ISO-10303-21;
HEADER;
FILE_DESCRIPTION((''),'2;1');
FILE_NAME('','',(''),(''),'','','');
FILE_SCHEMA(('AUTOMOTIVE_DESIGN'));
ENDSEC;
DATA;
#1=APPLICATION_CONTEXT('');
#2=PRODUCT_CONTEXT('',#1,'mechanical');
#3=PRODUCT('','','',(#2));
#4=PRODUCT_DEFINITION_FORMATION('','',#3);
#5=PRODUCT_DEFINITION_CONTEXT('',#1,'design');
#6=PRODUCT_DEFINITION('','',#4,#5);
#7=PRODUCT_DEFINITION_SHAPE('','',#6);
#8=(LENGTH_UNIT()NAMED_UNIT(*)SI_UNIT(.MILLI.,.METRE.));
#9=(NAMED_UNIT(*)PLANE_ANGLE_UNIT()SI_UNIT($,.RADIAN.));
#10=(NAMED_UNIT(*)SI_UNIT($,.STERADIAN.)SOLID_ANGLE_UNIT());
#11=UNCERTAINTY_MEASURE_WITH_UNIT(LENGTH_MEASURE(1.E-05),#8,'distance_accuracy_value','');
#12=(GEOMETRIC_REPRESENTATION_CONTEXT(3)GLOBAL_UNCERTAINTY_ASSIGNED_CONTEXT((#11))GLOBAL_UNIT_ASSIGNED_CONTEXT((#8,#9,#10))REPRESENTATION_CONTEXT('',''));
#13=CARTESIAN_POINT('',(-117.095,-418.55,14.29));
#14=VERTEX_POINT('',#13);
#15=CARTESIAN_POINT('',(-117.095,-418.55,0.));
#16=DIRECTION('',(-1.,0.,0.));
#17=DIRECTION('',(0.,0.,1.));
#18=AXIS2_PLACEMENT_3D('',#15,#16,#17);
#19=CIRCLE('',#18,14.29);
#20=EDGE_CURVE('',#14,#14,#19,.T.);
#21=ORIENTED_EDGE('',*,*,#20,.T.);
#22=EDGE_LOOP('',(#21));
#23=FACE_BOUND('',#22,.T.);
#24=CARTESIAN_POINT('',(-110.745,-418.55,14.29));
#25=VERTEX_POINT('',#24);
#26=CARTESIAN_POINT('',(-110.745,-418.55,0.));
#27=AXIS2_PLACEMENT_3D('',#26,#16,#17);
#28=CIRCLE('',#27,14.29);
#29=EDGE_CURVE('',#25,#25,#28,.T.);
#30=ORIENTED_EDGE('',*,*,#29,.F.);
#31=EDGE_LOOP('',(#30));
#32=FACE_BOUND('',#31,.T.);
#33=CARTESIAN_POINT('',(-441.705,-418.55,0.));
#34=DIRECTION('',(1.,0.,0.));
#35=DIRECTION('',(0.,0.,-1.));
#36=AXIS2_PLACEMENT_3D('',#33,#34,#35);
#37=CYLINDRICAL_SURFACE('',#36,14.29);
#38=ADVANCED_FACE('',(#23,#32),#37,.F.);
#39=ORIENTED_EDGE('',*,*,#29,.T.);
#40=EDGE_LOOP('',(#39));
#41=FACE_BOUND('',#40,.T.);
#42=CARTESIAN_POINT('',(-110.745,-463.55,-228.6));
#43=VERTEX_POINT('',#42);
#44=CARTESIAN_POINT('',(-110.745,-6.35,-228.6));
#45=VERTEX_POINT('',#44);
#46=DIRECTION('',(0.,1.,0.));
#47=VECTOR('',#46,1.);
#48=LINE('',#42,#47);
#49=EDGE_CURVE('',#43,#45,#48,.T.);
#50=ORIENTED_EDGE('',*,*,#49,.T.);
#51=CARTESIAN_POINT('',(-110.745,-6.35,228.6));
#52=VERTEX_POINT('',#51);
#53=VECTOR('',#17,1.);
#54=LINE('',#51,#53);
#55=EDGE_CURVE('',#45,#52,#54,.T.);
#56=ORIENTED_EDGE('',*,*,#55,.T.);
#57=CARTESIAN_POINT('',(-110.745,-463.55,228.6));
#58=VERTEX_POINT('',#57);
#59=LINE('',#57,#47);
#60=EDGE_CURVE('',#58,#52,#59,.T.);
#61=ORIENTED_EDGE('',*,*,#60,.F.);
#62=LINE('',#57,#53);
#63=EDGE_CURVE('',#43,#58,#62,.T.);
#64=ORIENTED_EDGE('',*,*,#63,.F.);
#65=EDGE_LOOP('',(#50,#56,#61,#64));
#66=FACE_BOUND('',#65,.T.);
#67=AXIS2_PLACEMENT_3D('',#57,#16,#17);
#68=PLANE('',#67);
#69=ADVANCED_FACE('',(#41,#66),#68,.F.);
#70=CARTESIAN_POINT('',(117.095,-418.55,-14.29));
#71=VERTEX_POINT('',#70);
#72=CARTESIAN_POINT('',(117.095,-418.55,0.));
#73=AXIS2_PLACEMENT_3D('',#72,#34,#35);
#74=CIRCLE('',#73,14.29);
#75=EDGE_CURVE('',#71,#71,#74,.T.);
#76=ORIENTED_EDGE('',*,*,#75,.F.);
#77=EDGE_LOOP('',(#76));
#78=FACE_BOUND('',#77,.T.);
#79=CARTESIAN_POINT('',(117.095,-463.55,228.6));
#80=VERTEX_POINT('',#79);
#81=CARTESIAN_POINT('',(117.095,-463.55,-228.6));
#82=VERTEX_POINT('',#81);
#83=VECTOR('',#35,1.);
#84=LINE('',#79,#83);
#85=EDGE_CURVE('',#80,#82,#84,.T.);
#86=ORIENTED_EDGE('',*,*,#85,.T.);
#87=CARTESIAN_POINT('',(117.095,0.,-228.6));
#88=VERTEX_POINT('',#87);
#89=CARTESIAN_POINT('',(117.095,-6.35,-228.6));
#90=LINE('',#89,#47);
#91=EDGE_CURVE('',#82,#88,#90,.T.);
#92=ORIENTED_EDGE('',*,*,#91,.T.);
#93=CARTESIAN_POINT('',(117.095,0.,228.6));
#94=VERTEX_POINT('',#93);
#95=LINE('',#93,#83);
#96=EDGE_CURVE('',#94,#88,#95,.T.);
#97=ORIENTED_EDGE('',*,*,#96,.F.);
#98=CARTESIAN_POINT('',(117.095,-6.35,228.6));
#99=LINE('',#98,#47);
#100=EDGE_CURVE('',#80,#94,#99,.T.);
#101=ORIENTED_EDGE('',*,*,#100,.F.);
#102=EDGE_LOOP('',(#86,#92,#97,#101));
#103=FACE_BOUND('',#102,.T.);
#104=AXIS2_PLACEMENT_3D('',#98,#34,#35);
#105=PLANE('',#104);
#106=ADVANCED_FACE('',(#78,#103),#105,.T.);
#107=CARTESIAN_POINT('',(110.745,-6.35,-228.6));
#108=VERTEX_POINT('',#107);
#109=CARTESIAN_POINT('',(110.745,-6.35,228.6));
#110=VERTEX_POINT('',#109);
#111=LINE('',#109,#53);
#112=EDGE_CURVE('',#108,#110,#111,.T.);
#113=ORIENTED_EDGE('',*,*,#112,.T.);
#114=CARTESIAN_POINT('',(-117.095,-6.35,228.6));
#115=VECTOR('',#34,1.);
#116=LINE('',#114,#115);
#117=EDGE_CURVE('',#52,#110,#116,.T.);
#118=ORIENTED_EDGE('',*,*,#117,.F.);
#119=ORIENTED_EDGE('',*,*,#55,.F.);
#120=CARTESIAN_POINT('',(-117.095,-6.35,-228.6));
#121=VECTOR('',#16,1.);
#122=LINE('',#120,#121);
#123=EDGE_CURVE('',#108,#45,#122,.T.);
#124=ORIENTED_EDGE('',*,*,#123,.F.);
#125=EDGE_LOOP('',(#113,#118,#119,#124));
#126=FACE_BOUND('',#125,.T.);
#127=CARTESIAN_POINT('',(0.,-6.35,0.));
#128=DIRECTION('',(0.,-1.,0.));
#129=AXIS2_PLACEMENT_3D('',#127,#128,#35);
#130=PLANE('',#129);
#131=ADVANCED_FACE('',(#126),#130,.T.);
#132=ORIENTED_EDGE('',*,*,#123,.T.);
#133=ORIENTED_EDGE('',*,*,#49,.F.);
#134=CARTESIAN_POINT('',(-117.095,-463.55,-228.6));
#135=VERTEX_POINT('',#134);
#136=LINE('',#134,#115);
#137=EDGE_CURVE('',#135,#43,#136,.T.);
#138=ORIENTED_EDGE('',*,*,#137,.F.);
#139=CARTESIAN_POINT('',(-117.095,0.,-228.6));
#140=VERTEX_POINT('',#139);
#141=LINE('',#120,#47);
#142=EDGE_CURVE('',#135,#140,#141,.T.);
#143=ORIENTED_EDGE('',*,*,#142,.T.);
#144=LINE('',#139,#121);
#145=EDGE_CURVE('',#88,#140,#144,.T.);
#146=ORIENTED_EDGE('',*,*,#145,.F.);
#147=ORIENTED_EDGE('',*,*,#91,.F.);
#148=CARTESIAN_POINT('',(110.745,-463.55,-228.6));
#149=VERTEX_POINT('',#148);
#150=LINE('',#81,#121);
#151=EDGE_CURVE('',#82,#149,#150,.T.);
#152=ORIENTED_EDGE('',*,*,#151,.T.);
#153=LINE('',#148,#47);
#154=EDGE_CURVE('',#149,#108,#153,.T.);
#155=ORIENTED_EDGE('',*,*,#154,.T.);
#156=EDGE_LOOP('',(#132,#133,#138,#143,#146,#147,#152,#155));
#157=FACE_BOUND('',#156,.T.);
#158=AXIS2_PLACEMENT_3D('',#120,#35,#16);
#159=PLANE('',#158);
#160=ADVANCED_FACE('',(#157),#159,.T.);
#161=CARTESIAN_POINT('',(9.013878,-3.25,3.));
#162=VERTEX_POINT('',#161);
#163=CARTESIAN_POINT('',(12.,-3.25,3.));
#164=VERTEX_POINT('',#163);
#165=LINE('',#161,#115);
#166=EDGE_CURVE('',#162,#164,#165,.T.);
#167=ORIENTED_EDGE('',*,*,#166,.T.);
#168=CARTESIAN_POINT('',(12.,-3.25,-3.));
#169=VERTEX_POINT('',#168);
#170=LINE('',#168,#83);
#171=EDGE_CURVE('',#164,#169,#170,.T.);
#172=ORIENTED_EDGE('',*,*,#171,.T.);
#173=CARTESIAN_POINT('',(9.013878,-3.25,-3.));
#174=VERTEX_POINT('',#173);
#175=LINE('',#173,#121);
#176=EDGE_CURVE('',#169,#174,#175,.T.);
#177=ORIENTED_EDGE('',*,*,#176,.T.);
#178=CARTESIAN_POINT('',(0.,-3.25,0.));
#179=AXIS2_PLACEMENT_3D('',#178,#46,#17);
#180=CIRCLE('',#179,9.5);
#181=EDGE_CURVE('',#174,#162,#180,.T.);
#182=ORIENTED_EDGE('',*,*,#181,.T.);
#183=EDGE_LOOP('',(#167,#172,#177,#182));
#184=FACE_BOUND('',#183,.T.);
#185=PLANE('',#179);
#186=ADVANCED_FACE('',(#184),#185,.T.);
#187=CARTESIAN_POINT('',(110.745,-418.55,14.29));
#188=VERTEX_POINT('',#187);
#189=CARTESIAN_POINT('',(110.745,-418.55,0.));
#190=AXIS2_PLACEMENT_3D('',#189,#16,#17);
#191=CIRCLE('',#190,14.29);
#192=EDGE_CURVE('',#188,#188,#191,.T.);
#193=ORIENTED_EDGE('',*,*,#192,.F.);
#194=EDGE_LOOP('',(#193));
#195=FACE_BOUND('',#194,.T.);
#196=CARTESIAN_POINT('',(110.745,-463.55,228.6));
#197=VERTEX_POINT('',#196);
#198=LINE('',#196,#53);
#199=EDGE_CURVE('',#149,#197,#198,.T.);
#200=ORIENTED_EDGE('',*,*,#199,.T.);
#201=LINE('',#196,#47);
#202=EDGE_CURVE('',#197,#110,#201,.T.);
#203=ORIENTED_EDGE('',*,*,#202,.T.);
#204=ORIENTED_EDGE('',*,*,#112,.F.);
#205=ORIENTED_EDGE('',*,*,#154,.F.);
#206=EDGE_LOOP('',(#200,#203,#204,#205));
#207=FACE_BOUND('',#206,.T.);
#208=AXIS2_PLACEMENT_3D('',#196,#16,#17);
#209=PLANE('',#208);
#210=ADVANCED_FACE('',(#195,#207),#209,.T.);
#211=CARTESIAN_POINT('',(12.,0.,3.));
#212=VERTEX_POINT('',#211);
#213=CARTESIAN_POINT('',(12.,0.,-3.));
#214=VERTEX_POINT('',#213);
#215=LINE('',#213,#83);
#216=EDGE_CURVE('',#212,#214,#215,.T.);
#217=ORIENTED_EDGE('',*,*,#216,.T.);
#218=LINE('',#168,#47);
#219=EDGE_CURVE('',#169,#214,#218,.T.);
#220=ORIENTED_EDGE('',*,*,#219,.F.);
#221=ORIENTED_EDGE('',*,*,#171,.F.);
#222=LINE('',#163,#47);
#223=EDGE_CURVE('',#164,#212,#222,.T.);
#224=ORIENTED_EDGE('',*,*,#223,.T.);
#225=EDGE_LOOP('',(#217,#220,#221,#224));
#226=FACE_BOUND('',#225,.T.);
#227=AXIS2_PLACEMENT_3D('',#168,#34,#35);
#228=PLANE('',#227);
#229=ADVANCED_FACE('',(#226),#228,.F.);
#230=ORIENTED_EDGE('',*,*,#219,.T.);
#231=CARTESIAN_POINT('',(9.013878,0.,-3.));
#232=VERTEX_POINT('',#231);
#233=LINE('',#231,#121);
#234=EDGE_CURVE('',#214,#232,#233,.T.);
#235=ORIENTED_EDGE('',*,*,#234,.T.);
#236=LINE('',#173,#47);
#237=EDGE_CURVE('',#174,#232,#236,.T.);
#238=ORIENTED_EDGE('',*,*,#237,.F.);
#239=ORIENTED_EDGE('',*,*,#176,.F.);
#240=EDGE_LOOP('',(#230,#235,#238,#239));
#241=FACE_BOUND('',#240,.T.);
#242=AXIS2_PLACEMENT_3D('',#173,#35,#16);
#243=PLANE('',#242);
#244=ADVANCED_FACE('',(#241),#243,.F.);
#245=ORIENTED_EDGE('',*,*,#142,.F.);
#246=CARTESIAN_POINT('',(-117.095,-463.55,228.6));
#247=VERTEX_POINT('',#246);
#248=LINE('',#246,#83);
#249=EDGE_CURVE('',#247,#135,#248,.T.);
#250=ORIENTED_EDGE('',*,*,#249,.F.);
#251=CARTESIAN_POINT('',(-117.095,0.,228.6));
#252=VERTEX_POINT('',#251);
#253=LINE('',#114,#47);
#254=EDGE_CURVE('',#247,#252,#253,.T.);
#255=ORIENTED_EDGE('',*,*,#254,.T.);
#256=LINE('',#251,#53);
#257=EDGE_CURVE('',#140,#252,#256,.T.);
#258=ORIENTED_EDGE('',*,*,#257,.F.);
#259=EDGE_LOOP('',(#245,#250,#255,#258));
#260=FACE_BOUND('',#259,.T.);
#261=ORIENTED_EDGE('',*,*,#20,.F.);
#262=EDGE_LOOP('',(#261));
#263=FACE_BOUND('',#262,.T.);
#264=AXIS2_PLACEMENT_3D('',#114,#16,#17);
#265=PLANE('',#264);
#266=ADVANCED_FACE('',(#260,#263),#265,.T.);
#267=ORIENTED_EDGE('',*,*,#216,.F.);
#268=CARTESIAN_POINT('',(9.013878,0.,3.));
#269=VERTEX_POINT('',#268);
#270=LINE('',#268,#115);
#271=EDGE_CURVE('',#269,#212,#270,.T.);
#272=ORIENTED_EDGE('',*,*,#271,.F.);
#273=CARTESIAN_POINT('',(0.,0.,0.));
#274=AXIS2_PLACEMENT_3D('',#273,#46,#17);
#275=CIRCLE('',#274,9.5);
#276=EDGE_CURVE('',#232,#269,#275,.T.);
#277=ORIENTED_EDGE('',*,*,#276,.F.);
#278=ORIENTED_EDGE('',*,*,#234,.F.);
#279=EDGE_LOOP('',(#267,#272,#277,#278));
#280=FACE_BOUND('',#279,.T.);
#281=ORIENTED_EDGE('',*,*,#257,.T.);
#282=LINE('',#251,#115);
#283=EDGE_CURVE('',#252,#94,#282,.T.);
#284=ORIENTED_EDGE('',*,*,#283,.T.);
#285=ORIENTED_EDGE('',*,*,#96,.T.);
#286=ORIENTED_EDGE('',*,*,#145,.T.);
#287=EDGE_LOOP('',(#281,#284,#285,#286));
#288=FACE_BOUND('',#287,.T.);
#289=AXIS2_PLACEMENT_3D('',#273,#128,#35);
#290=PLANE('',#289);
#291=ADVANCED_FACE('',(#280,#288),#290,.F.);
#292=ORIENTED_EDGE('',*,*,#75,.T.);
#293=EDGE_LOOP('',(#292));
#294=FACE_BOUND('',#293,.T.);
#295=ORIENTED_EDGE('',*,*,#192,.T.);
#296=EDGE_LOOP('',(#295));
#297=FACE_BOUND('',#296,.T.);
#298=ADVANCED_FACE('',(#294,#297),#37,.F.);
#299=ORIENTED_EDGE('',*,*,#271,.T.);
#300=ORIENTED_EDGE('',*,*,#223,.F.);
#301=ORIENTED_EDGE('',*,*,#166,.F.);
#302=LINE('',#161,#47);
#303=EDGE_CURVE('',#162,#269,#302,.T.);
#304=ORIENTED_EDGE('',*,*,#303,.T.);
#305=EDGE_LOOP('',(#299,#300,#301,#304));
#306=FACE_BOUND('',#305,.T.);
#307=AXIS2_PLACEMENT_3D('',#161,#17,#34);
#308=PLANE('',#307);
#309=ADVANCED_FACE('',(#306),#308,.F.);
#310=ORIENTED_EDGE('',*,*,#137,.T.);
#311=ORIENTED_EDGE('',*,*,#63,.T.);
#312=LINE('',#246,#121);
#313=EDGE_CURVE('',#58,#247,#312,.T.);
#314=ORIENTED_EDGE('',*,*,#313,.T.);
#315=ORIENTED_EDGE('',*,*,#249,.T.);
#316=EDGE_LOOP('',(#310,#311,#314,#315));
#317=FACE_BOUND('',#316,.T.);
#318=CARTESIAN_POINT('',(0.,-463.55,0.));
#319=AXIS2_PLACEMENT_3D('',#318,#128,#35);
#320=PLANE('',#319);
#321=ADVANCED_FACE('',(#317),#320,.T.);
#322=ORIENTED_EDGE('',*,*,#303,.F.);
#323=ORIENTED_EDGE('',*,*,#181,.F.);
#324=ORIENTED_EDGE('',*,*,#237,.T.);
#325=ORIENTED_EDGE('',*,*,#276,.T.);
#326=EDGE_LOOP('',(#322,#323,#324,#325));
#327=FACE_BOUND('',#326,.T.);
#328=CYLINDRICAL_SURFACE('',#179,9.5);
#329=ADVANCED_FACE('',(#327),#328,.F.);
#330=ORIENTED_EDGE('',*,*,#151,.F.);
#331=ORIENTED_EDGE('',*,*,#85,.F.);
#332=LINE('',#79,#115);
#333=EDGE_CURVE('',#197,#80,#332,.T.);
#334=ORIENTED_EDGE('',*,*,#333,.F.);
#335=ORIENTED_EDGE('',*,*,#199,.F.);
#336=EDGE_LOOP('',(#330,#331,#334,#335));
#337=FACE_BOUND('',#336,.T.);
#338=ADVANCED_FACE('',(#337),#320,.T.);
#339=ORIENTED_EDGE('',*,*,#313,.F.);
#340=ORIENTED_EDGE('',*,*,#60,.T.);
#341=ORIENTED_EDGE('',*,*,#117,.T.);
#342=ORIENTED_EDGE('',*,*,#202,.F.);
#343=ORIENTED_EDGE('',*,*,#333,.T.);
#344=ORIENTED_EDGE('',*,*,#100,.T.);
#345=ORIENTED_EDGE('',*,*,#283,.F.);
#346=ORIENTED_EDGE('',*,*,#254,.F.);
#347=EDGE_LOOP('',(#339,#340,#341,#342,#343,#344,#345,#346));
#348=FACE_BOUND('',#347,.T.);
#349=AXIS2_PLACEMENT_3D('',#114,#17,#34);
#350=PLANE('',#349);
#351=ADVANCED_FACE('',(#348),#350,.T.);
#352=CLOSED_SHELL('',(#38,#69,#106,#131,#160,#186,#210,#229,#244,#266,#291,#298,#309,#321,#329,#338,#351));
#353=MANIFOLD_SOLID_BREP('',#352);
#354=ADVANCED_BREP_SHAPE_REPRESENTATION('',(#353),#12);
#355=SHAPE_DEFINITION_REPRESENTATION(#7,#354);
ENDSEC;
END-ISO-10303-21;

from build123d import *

# Parameters (mm, degrees)
SKETCH1_W           = 234.19
SKETCH1_H           = 457.2
BOSS_EXTRUDE1_DEPTH = 6.35
SKETCH2_W           = 6.35
SKETCH2_H           = 457.2
BOSS_EXTRUDE2_DEPTH = 457.2
SKETCH3_R           = 14.29
CUT_EXTRUDE1_DEPTH  = 558.8
CUT_EXTRUDE2_DEPTH  = 3.25


with BuildPart() as part:
    # Sketch1 → Boss-Extrude1 (new body)
    with BuildSketch(Plane(origin=(0, 0, 0), x_dir=(1, 0, 0), z_dir=(0, 1, 0))):
        Rectangle(SKETCH1_W, SKETCH1_H)
    extrude(amount=-BOSS_EXTRUDE1_DEPTH)

    # Sketch2 → Boss-Extrude2 (add)
    with BuildSketch(Plane.XZ.offset(6.35)):
        with Locations((-113.92, 0)):
            Rectangle(SKETCH2_W, SKETCH2_H)
    boss_extrude2 = extrude(amount=BOSS_EXTRUDE2_DEPTH)

    # Mirror1: Boss-Extrude2 across plane
    add(boss_extrude2.mirror(Plane(origin=(0, 0, 0), x_dir=(0, 0, 1), z_dir=(1, 0, 0))))

    # Sketch3 → Cut-Extrude1 (cut)
    with BuildSketch(Plane(origin=(117.095, 0, 0), x_dir=(0, 0, -1), z_dir=(1, 0, 0))):
        with Locations((0, -418.55)):
            Circle(SKETCH3_R)
    extrude(amount=-CUT_EXTRUDE1_DEPTH, mode=Mode.SUBTRACT)

    # Sketch4 → Cut-Extrude2 (cut)
    with BuildSketch(Plane(origin=(0, 0, 0), x_dir=(1, 0, 0), z_dir=(0, 1, 0))):
        with BuildLine():
            Line((9.013878189, 3), (12, 3))
            Line((12, 3), (12, -3))
            Line((12, -3), (9.013878189, -3))
            ThreePointArc((9.013878189, -3), (-9.5, 0), (9.013878189, 3))
        make_face()
    extrude(amount=-CUT_EXTRUDE2_DEPTH, mode=Mode.SUBTRACT)


solid = part.part
